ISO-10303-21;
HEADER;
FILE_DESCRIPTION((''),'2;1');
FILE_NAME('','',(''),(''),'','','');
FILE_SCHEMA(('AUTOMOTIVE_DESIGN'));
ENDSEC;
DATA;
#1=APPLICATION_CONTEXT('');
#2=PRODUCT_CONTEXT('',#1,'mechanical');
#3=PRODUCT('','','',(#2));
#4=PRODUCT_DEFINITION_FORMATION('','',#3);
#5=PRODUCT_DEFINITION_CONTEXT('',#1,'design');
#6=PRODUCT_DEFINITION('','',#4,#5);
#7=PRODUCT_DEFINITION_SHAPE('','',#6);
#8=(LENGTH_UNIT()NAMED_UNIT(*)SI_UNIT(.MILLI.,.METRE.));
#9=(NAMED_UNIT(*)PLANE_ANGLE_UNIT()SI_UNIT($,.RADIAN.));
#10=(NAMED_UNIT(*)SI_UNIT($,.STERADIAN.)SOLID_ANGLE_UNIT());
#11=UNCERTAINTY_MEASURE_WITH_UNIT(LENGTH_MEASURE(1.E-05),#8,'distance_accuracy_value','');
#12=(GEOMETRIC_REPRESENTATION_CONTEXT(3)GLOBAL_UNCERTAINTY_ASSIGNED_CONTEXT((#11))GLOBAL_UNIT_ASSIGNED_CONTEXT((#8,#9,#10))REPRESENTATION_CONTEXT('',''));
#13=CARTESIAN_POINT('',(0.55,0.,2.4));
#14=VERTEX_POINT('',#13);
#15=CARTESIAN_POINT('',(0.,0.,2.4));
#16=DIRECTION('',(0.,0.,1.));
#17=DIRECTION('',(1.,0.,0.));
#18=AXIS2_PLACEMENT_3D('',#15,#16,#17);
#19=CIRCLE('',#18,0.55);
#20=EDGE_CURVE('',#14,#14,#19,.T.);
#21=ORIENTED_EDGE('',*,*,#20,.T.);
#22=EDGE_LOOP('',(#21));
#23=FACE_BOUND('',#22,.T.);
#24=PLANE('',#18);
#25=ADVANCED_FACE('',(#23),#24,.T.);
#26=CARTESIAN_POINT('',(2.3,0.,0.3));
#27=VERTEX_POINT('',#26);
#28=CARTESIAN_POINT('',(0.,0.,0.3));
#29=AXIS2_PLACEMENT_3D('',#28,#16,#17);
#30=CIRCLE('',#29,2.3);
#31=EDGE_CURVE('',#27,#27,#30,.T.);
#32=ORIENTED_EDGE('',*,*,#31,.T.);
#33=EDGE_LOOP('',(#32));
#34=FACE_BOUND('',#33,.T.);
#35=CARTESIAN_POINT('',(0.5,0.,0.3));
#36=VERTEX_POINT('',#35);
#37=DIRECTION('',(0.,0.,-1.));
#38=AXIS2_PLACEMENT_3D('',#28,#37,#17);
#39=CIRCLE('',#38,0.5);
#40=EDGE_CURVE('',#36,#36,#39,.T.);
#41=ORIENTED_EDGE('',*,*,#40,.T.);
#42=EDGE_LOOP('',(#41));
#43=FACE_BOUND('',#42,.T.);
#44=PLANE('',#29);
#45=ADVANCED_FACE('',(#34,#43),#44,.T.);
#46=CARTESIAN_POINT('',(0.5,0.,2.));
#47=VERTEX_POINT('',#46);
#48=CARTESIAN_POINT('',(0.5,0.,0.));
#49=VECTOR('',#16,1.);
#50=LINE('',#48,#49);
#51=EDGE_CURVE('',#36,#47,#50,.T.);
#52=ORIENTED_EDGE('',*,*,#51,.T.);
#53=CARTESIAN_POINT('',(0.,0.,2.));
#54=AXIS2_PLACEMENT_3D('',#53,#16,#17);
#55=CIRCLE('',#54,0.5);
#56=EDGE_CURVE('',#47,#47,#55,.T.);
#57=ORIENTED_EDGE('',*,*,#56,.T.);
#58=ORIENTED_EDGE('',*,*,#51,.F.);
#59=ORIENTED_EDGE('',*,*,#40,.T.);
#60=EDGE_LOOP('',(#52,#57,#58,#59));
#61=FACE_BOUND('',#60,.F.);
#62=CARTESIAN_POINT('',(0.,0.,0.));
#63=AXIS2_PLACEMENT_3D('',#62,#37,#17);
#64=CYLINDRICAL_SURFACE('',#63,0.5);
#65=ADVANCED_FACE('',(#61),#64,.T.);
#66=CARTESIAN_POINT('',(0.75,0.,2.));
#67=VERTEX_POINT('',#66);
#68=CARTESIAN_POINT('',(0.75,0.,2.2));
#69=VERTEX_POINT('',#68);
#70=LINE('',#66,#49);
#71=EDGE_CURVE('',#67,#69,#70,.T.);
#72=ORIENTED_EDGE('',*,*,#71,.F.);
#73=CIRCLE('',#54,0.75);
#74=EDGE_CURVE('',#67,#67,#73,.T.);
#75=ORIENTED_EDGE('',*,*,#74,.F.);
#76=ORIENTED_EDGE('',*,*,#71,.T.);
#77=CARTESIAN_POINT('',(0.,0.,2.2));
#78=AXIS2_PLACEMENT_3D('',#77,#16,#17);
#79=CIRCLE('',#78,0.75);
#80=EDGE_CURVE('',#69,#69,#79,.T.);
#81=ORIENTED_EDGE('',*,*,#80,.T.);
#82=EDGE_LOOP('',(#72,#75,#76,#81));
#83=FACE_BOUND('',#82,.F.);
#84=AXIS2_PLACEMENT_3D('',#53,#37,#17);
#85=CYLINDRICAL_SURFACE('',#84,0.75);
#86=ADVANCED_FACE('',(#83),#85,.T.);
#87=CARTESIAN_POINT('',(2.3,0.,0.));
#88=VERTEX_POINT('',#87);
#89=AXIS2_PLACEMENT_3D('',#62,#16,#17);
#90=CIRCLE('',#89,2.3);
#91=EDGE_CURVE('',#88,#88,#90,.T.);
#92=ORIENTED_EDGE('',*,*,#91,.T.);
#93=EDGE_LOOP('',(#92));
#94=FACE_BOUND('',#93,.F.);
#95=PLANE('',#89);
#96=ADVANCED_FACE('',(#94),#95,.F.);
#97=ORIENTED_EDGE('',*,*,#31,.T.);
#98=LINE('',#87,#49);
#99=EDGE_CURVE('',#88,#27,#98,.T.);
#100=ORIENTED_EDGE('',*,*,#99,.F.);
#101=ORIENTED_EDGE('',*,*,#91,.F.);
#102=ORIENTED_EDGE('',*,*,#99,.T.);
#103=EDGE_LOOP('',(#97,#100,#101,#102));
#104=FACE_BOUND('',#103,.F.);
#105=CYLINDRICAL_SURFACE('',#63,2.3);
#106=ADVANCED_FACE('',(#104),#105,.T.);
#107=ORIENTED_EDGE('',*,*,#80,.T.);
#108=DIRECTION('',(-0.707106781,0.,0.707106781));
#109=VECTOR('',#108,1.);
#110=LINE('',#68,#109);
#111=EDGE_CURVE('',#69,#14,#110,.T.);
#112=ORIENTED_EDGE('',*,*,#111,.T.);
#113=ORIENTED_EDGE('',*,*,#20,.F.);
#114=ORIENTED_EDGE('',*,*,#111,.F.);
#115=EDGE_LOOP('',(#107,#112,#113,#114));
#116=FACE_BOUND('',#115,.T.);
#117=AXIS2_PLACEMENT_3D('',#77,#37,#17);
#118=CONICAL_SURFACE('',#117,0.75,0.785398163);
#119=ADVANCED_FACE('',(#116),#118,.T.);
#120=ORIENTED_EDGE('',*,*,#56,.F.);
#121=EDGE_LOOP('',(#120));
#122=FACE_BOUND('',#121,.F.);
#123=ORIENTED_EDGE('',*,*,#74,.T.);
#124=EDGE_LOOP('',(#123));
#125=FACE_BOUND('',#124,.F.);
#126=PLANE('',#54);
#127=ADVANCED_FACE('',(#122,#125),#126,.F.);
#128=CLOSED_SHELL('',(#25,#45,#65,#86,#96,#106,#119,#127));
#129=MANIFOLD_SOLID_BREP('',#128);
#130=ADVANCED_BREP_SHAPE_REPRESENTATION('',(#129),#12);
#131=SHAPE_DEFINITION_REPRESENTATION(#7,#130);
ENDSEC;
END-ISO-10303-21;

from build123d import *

# Parameters (mm, degrees)
CYLINDER_R        = 2.3
CYLINDER_DEPTH    = 0.3
CYLINDER001_R     = 0.5
CYLINDER001_DEPTH = 2
CYLINDER002_R     = 0.75
CYLINDER002_DEPTH = 0.4
CHAMFER_SIZE      = 0.2


with BuildPart() as part:
    # Cylinder → Cylinder (join)
    with BuildSketch(Plane.XY):
        Circle(CYLINDER_R)
    extrude(amount=CYLINDER_DEPTH)

    # Cylinder001 → Cylinder001 (join)
    with BuildSketch(Plane.XY):
        Circle(CYLINDER001_R)
    extrude(amount=CYLINDER001_DEPTH)

    # Cylinder002 → Cylinder002 (join)
    with BuildSketch(Plane.XY.offset(2)):
        Circle(CYLINDER002_R)
    extrude(amount=CYLINDER002_DEPTH)

    # Chamfer
    chamfer_edges = [part.edges().sort_by_distance(p)[0] for p in [
        (-0.75, 0, 2.4),
    ]]
    chamfer(chamfer_edges, length=CHAMFER_SIZE)


solid = part.part
